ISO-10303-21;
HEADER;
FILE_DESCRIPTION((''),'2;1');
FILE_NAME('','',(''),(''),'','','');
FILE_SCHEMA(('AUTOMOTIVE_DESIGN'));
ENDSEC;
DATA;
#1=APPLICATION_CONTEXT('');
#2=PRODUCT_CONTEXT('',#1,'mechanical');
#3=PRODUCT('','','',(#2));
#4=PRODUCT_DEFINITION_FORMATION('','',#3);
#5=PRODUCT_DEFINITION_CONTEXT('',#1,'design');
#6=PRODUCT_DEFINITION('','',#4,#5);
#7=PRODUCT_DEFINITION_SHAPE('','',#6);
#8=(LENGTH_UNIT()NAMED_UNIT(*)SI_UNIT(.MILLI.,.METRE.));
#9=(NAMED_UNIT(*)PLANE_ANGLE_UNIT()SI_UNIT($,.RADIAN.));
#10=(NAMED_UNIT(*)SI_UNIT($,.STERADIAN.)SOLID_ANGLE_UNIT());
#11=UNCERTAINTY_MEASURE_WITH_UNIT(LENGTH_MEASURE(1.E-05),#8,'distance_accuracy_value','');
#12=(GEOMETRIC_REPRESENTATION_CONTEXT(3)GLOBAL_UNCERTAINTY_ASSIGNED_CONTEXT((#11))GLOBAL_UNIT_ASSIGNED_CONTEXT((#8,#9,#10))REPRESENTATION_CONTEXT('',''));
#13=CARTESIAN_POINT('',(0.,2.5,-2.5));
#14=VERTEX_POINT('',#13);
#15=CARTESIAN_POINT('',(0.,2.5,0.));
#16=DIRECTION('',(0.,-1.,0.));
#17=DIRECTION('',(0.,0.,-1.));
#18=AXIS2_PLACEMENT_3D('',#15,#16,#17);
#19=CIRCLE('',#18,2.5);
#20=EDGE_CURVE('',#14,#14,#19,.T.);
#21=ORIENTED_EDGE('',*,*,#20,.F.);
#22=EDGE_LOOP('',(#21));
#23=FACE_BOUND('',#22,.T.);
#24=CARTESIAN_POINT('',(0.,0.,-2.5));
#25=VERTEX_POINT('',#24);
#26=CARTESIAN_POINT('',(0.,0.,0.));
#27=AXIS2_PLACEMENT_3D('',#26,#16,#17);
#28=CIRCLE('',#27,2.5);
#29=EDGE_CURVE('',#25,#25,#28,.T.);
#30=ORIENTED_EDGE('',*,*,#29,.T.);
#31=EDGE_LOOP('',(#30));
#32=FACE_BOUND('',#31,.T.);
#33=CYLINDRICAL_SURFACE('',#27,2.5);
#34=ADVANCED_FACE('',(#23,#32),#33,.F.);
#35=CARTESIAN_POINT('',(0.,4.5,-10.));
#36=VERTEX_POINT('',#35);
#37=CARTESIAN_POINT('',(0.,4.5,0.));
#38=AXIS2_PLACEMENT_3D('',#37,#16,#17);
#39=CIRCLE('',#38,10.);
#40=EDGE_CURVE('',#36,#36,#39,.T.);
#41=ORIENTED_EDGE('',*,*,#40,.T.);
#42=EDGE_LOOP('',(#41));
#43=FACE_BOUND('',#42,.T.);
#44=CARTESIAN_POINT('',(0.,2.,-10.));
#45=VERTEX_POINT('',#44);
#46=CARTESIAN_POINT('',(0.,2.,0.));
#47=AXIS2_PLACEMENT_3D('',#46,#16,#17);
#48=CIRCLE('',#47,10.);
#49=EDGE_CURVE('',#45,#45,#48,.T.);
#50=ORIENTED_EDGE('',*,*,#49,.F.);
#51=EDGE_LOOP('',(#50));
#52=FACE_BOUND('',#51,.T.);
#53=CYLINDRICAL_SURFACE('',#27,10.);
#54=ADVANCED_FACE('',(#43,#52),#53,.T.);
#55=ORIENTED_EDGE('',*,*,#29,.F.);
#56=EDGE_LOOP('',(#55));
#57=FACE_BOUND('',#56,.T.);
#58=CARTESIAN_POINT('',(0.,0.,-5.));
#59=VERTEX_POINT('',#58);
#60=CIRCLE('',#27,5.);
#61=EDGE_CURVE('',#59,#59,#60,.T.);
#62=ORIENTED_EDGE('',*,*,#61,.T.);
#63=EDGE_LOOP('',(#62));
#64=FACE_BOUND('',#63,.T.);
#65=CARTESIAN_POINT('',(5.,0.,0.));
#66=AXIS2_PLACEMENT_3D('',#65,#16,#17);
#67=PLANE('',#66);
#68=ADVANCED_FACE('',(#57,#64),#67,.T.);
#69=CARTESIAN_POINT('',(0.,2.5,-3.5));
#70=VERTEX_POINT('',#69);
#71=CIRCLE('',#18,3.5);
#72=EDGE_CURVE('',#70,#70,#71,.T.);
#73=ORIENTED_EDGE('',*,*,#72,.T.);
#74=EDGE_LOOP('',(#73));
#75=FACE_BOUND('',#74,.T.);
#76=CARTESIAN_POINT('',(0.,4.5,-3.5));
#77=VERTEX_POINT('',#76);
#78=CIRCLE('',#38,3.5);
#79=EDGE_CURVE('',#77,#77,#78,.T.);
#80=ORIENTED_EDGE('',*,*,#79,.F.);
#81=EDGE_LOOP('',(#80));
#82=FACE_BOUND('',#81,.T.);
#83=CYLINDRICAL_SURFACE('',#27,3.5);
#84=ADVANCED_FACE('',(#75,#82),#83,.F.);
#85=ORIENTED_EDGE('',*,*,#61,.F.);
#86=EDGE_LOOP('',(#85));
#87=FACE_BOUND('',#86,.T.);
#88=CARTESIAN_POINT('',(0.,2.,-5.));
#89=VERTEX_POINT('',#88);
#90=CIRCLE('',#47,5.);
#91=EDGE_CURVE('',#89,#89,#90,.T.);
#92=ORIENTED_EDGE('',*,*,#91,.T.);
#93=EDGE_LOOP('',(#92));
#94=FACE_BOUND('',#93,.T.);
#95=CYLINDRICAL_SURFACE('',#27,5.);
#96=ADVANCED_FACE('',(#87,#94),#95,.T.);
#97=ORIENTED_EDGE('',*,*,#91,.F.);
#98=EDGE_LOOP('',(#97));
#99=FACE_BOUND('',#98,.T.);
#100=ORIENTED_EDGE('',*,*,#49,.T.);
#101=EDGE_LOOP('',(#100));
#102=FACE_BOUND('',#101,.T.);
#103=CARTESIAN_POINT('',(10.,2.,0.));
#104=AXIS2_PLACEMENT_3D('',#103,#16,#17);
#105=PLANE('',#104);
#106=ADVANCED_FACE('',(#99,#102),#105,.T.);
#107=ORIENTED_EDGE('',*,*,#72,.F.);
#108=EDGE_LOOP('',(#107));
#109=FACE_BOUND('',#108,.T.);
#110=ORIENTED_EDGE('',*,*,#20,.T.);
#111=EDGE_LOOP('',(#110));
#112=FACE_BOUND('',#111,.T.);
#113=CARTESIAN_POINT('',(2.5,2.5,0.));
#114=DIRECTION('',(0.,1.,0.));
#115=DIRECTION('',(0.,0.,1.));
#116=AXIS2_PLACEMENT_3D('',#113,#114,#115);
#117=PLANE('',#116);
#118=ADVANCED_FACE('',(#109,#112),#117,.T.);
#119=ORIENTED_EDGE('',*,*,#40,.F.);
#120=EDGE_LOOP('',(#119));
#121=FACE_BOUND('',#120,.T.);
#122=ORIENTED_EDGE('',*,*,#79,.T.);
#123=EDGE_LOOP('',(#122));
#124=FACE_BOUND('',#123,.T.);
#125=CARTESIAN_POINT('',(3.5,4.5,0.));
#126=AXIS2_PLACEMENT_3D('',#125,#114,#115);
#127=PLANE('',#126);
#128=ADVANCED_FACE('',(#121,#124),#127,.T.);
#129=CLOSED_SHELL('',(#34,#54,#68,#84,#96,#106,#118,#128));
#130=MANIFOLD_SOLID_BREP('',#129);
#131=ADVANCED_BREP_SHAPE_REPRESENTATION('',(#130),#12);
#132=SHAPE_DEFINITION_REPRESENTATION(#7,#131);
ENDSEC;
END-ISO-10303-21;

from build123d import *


with BuildPart() as part:
    # Sketch1 → Revolve1 (revolve)
    with BuildSketch(Plane.XY, mode=Mode.PRIVATE) as revolve1_sk:
        Polygon((2.5, 2.5), (3.5, 2.5), (3.5, 4.5), (10, 4.5), (10, 2), (5, 2), (5, 0), (2.5, 0), align=None)
    revolve(revolve1_sk.sketch.rotate(Axis((0, 0, 0), (0, 1, 0)), 90), axis=Axis((0, 0, 0), (0, 1, 0)))


solid = part.part
